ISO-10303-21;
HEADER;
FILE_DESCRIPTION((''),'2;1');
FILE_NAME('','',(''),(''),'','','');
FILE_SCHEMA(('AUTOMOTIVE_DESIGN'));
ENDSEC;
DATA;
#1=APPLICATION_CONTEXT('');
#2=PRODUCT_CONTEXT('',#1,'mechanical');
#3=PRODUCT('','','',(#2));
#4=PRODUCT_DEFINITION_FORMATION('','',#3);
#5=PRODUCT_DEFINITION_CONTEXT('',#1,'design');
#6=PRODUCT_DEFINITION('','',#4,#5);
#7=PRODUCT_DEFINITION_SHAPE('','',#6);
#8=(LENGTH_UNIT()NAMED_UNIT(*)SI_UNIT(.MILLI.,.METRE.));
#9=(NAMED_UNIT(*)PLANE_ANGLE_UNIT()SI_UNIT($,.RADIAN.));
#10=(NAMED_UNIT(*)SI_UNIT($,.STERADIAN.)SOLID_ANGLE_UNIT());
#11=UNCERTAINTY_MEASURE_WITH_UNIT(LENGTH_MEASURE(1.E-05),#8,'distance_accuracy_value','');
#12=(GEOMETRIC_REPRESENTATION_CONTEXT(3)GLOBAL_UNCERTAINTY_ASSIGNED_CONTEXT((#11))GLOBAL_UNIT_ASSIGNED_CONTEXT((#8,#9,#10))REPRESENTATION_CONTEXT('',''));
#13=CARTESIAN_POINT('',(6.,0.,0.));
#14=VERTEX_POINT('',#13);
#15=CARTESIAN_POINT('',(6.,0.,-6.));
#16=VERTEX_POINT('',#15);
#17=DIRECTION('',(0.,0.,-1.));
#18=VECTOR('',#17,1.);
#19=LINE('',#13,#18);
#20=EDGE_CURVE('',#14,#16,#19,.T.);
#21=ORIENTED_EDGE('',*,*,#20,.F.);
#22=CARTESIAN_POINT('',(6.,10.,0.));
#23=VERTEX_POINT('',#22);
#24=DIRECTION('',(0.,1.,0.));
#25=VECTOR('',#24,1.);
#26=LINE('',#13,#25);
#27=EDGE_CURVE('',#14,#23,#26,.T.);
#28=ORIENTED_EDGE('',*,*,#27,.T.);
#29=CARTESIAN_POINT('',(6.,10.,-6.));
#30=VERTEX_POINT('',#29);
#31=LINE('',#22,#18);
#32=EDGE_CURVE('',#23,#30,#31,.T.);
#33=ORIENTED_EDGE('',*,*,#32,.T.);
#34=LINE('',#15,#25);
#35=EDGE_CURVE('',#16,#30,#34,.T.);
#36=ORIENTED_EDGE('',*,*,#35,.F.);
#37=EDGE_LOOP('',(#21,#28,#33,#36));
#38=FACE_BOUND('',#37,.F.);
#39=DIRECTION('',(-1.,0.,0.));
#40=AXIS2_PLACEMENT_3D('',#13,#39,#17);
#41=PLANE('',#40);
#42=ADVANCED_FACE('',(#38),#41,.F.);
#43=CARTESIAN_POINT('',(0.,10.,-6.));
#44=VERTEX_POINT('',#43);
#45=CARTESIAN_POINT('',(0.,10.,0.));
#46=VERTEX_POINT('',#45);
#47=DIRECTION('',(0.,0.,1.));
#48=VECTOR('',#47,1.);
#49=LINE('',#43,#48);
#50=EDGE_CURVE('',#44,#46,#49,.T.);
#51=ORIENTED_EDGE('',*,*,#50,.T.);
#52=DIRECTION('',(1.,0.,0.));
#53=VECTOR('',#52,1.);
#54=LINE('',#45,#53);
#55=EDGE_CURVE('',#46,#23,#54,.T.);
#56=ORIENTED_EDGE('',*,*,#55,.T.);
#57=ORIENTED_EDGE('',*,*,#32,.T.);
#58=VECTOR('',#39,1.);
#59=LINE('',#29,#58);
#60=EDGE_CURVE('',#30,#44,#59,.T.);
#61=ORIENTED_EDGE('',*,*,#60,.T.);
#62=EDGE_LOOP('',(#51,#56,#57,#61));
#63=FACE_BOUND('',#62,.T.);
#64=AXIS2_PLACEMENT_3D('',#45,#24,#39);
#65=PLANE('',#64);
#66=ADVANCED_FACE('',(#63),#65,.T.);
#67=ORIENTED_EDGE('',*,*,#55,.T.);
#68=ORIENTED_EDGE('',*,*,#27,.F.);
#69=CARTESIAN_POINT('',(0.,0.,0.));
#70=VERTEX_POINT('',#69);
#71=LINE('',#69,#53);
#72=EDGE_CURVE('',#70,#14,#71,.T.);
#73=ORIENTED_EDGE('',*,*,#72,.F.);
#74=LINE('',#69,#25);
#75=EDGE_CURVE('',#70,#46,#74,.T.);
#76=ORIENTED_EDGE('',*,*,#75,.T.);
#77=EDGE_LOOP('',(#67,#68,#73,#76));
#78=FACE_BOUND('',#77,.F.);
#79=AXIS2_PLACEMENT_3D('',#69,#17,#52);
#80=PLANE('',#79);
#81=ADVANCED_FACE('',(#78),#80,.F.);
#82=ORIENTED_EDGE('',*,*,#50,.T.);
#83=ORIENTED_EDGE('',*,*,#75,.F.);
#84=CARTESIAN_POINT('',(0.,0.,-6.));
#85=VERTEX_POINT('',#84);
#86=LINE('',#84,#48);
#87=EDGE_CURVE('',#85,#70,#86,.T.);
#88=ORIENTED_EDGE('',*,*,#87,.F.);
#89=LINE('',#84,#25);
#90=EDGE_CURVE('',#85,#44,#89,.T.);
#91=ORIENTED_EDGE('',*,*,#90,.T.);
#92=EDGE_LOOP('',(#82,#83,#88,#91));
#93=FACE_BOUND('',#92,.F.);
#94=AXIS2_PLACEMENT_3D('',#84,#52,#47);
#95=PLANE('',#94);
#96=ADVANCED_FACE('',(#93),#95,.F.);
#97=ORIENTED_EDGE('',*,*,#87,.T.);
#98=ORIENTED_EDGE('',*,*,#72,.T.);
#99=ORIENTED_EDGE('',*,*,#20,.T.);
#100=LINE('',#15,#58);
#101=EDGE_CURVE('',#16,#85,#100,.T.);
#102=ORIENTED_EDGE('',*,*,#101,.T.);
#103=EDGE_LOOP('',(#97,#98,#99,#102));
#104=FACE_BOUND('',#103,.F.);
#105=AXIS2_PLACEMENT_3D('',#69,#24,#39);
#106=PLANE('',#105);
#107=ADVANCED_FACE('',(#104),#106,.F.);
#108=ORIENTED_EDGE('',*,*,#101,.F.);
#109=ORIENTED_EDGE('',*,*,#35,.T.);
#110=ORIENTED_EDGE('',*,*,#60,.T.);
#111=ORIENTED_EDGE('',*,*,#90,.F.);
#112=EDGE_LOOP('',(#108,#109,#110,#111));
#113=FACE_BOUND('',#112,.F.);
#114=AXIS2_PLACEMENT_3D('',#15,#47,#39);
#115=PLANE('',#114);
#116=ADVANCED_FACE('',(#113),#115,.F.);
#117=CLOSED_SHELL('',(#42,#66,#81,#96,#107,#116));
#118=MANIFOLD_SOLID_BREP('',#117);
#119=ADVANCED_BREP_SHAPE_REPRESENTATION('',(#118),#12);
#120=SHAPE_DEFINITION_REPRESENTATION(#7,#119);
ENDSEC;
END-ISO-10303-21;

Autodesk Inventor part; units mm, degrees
ref_plane "YZ Plane" through (0, 0, 0) normal (1, 0, 0) x (0, 1, 0)
ref_plane "XZ Plane" through (0, 0, 0) normal (0, 1, 0) x (-1, 0, 0)
ref_plane "XY Plane" through (0, 0, 0) normal (0, 0, 1) x (1, 0, 0)
sketch "Sketch1" plane through (0, 0, 0) normal (0, 1, 0) x (-1, 0, 0)
  line L0 (0, 0) -> (-6, 0)
  line L1 (-6, 0) -> (-6, -6)
  line L2 (-6, -6) -> (0, -6)
  line L3 (0, -6) -> (0, 0)
  dimension "d0" = 6
  dimension "d1" = 6
extrude "Extrusion1" add sketch "Sketch1" along normal blind 10
